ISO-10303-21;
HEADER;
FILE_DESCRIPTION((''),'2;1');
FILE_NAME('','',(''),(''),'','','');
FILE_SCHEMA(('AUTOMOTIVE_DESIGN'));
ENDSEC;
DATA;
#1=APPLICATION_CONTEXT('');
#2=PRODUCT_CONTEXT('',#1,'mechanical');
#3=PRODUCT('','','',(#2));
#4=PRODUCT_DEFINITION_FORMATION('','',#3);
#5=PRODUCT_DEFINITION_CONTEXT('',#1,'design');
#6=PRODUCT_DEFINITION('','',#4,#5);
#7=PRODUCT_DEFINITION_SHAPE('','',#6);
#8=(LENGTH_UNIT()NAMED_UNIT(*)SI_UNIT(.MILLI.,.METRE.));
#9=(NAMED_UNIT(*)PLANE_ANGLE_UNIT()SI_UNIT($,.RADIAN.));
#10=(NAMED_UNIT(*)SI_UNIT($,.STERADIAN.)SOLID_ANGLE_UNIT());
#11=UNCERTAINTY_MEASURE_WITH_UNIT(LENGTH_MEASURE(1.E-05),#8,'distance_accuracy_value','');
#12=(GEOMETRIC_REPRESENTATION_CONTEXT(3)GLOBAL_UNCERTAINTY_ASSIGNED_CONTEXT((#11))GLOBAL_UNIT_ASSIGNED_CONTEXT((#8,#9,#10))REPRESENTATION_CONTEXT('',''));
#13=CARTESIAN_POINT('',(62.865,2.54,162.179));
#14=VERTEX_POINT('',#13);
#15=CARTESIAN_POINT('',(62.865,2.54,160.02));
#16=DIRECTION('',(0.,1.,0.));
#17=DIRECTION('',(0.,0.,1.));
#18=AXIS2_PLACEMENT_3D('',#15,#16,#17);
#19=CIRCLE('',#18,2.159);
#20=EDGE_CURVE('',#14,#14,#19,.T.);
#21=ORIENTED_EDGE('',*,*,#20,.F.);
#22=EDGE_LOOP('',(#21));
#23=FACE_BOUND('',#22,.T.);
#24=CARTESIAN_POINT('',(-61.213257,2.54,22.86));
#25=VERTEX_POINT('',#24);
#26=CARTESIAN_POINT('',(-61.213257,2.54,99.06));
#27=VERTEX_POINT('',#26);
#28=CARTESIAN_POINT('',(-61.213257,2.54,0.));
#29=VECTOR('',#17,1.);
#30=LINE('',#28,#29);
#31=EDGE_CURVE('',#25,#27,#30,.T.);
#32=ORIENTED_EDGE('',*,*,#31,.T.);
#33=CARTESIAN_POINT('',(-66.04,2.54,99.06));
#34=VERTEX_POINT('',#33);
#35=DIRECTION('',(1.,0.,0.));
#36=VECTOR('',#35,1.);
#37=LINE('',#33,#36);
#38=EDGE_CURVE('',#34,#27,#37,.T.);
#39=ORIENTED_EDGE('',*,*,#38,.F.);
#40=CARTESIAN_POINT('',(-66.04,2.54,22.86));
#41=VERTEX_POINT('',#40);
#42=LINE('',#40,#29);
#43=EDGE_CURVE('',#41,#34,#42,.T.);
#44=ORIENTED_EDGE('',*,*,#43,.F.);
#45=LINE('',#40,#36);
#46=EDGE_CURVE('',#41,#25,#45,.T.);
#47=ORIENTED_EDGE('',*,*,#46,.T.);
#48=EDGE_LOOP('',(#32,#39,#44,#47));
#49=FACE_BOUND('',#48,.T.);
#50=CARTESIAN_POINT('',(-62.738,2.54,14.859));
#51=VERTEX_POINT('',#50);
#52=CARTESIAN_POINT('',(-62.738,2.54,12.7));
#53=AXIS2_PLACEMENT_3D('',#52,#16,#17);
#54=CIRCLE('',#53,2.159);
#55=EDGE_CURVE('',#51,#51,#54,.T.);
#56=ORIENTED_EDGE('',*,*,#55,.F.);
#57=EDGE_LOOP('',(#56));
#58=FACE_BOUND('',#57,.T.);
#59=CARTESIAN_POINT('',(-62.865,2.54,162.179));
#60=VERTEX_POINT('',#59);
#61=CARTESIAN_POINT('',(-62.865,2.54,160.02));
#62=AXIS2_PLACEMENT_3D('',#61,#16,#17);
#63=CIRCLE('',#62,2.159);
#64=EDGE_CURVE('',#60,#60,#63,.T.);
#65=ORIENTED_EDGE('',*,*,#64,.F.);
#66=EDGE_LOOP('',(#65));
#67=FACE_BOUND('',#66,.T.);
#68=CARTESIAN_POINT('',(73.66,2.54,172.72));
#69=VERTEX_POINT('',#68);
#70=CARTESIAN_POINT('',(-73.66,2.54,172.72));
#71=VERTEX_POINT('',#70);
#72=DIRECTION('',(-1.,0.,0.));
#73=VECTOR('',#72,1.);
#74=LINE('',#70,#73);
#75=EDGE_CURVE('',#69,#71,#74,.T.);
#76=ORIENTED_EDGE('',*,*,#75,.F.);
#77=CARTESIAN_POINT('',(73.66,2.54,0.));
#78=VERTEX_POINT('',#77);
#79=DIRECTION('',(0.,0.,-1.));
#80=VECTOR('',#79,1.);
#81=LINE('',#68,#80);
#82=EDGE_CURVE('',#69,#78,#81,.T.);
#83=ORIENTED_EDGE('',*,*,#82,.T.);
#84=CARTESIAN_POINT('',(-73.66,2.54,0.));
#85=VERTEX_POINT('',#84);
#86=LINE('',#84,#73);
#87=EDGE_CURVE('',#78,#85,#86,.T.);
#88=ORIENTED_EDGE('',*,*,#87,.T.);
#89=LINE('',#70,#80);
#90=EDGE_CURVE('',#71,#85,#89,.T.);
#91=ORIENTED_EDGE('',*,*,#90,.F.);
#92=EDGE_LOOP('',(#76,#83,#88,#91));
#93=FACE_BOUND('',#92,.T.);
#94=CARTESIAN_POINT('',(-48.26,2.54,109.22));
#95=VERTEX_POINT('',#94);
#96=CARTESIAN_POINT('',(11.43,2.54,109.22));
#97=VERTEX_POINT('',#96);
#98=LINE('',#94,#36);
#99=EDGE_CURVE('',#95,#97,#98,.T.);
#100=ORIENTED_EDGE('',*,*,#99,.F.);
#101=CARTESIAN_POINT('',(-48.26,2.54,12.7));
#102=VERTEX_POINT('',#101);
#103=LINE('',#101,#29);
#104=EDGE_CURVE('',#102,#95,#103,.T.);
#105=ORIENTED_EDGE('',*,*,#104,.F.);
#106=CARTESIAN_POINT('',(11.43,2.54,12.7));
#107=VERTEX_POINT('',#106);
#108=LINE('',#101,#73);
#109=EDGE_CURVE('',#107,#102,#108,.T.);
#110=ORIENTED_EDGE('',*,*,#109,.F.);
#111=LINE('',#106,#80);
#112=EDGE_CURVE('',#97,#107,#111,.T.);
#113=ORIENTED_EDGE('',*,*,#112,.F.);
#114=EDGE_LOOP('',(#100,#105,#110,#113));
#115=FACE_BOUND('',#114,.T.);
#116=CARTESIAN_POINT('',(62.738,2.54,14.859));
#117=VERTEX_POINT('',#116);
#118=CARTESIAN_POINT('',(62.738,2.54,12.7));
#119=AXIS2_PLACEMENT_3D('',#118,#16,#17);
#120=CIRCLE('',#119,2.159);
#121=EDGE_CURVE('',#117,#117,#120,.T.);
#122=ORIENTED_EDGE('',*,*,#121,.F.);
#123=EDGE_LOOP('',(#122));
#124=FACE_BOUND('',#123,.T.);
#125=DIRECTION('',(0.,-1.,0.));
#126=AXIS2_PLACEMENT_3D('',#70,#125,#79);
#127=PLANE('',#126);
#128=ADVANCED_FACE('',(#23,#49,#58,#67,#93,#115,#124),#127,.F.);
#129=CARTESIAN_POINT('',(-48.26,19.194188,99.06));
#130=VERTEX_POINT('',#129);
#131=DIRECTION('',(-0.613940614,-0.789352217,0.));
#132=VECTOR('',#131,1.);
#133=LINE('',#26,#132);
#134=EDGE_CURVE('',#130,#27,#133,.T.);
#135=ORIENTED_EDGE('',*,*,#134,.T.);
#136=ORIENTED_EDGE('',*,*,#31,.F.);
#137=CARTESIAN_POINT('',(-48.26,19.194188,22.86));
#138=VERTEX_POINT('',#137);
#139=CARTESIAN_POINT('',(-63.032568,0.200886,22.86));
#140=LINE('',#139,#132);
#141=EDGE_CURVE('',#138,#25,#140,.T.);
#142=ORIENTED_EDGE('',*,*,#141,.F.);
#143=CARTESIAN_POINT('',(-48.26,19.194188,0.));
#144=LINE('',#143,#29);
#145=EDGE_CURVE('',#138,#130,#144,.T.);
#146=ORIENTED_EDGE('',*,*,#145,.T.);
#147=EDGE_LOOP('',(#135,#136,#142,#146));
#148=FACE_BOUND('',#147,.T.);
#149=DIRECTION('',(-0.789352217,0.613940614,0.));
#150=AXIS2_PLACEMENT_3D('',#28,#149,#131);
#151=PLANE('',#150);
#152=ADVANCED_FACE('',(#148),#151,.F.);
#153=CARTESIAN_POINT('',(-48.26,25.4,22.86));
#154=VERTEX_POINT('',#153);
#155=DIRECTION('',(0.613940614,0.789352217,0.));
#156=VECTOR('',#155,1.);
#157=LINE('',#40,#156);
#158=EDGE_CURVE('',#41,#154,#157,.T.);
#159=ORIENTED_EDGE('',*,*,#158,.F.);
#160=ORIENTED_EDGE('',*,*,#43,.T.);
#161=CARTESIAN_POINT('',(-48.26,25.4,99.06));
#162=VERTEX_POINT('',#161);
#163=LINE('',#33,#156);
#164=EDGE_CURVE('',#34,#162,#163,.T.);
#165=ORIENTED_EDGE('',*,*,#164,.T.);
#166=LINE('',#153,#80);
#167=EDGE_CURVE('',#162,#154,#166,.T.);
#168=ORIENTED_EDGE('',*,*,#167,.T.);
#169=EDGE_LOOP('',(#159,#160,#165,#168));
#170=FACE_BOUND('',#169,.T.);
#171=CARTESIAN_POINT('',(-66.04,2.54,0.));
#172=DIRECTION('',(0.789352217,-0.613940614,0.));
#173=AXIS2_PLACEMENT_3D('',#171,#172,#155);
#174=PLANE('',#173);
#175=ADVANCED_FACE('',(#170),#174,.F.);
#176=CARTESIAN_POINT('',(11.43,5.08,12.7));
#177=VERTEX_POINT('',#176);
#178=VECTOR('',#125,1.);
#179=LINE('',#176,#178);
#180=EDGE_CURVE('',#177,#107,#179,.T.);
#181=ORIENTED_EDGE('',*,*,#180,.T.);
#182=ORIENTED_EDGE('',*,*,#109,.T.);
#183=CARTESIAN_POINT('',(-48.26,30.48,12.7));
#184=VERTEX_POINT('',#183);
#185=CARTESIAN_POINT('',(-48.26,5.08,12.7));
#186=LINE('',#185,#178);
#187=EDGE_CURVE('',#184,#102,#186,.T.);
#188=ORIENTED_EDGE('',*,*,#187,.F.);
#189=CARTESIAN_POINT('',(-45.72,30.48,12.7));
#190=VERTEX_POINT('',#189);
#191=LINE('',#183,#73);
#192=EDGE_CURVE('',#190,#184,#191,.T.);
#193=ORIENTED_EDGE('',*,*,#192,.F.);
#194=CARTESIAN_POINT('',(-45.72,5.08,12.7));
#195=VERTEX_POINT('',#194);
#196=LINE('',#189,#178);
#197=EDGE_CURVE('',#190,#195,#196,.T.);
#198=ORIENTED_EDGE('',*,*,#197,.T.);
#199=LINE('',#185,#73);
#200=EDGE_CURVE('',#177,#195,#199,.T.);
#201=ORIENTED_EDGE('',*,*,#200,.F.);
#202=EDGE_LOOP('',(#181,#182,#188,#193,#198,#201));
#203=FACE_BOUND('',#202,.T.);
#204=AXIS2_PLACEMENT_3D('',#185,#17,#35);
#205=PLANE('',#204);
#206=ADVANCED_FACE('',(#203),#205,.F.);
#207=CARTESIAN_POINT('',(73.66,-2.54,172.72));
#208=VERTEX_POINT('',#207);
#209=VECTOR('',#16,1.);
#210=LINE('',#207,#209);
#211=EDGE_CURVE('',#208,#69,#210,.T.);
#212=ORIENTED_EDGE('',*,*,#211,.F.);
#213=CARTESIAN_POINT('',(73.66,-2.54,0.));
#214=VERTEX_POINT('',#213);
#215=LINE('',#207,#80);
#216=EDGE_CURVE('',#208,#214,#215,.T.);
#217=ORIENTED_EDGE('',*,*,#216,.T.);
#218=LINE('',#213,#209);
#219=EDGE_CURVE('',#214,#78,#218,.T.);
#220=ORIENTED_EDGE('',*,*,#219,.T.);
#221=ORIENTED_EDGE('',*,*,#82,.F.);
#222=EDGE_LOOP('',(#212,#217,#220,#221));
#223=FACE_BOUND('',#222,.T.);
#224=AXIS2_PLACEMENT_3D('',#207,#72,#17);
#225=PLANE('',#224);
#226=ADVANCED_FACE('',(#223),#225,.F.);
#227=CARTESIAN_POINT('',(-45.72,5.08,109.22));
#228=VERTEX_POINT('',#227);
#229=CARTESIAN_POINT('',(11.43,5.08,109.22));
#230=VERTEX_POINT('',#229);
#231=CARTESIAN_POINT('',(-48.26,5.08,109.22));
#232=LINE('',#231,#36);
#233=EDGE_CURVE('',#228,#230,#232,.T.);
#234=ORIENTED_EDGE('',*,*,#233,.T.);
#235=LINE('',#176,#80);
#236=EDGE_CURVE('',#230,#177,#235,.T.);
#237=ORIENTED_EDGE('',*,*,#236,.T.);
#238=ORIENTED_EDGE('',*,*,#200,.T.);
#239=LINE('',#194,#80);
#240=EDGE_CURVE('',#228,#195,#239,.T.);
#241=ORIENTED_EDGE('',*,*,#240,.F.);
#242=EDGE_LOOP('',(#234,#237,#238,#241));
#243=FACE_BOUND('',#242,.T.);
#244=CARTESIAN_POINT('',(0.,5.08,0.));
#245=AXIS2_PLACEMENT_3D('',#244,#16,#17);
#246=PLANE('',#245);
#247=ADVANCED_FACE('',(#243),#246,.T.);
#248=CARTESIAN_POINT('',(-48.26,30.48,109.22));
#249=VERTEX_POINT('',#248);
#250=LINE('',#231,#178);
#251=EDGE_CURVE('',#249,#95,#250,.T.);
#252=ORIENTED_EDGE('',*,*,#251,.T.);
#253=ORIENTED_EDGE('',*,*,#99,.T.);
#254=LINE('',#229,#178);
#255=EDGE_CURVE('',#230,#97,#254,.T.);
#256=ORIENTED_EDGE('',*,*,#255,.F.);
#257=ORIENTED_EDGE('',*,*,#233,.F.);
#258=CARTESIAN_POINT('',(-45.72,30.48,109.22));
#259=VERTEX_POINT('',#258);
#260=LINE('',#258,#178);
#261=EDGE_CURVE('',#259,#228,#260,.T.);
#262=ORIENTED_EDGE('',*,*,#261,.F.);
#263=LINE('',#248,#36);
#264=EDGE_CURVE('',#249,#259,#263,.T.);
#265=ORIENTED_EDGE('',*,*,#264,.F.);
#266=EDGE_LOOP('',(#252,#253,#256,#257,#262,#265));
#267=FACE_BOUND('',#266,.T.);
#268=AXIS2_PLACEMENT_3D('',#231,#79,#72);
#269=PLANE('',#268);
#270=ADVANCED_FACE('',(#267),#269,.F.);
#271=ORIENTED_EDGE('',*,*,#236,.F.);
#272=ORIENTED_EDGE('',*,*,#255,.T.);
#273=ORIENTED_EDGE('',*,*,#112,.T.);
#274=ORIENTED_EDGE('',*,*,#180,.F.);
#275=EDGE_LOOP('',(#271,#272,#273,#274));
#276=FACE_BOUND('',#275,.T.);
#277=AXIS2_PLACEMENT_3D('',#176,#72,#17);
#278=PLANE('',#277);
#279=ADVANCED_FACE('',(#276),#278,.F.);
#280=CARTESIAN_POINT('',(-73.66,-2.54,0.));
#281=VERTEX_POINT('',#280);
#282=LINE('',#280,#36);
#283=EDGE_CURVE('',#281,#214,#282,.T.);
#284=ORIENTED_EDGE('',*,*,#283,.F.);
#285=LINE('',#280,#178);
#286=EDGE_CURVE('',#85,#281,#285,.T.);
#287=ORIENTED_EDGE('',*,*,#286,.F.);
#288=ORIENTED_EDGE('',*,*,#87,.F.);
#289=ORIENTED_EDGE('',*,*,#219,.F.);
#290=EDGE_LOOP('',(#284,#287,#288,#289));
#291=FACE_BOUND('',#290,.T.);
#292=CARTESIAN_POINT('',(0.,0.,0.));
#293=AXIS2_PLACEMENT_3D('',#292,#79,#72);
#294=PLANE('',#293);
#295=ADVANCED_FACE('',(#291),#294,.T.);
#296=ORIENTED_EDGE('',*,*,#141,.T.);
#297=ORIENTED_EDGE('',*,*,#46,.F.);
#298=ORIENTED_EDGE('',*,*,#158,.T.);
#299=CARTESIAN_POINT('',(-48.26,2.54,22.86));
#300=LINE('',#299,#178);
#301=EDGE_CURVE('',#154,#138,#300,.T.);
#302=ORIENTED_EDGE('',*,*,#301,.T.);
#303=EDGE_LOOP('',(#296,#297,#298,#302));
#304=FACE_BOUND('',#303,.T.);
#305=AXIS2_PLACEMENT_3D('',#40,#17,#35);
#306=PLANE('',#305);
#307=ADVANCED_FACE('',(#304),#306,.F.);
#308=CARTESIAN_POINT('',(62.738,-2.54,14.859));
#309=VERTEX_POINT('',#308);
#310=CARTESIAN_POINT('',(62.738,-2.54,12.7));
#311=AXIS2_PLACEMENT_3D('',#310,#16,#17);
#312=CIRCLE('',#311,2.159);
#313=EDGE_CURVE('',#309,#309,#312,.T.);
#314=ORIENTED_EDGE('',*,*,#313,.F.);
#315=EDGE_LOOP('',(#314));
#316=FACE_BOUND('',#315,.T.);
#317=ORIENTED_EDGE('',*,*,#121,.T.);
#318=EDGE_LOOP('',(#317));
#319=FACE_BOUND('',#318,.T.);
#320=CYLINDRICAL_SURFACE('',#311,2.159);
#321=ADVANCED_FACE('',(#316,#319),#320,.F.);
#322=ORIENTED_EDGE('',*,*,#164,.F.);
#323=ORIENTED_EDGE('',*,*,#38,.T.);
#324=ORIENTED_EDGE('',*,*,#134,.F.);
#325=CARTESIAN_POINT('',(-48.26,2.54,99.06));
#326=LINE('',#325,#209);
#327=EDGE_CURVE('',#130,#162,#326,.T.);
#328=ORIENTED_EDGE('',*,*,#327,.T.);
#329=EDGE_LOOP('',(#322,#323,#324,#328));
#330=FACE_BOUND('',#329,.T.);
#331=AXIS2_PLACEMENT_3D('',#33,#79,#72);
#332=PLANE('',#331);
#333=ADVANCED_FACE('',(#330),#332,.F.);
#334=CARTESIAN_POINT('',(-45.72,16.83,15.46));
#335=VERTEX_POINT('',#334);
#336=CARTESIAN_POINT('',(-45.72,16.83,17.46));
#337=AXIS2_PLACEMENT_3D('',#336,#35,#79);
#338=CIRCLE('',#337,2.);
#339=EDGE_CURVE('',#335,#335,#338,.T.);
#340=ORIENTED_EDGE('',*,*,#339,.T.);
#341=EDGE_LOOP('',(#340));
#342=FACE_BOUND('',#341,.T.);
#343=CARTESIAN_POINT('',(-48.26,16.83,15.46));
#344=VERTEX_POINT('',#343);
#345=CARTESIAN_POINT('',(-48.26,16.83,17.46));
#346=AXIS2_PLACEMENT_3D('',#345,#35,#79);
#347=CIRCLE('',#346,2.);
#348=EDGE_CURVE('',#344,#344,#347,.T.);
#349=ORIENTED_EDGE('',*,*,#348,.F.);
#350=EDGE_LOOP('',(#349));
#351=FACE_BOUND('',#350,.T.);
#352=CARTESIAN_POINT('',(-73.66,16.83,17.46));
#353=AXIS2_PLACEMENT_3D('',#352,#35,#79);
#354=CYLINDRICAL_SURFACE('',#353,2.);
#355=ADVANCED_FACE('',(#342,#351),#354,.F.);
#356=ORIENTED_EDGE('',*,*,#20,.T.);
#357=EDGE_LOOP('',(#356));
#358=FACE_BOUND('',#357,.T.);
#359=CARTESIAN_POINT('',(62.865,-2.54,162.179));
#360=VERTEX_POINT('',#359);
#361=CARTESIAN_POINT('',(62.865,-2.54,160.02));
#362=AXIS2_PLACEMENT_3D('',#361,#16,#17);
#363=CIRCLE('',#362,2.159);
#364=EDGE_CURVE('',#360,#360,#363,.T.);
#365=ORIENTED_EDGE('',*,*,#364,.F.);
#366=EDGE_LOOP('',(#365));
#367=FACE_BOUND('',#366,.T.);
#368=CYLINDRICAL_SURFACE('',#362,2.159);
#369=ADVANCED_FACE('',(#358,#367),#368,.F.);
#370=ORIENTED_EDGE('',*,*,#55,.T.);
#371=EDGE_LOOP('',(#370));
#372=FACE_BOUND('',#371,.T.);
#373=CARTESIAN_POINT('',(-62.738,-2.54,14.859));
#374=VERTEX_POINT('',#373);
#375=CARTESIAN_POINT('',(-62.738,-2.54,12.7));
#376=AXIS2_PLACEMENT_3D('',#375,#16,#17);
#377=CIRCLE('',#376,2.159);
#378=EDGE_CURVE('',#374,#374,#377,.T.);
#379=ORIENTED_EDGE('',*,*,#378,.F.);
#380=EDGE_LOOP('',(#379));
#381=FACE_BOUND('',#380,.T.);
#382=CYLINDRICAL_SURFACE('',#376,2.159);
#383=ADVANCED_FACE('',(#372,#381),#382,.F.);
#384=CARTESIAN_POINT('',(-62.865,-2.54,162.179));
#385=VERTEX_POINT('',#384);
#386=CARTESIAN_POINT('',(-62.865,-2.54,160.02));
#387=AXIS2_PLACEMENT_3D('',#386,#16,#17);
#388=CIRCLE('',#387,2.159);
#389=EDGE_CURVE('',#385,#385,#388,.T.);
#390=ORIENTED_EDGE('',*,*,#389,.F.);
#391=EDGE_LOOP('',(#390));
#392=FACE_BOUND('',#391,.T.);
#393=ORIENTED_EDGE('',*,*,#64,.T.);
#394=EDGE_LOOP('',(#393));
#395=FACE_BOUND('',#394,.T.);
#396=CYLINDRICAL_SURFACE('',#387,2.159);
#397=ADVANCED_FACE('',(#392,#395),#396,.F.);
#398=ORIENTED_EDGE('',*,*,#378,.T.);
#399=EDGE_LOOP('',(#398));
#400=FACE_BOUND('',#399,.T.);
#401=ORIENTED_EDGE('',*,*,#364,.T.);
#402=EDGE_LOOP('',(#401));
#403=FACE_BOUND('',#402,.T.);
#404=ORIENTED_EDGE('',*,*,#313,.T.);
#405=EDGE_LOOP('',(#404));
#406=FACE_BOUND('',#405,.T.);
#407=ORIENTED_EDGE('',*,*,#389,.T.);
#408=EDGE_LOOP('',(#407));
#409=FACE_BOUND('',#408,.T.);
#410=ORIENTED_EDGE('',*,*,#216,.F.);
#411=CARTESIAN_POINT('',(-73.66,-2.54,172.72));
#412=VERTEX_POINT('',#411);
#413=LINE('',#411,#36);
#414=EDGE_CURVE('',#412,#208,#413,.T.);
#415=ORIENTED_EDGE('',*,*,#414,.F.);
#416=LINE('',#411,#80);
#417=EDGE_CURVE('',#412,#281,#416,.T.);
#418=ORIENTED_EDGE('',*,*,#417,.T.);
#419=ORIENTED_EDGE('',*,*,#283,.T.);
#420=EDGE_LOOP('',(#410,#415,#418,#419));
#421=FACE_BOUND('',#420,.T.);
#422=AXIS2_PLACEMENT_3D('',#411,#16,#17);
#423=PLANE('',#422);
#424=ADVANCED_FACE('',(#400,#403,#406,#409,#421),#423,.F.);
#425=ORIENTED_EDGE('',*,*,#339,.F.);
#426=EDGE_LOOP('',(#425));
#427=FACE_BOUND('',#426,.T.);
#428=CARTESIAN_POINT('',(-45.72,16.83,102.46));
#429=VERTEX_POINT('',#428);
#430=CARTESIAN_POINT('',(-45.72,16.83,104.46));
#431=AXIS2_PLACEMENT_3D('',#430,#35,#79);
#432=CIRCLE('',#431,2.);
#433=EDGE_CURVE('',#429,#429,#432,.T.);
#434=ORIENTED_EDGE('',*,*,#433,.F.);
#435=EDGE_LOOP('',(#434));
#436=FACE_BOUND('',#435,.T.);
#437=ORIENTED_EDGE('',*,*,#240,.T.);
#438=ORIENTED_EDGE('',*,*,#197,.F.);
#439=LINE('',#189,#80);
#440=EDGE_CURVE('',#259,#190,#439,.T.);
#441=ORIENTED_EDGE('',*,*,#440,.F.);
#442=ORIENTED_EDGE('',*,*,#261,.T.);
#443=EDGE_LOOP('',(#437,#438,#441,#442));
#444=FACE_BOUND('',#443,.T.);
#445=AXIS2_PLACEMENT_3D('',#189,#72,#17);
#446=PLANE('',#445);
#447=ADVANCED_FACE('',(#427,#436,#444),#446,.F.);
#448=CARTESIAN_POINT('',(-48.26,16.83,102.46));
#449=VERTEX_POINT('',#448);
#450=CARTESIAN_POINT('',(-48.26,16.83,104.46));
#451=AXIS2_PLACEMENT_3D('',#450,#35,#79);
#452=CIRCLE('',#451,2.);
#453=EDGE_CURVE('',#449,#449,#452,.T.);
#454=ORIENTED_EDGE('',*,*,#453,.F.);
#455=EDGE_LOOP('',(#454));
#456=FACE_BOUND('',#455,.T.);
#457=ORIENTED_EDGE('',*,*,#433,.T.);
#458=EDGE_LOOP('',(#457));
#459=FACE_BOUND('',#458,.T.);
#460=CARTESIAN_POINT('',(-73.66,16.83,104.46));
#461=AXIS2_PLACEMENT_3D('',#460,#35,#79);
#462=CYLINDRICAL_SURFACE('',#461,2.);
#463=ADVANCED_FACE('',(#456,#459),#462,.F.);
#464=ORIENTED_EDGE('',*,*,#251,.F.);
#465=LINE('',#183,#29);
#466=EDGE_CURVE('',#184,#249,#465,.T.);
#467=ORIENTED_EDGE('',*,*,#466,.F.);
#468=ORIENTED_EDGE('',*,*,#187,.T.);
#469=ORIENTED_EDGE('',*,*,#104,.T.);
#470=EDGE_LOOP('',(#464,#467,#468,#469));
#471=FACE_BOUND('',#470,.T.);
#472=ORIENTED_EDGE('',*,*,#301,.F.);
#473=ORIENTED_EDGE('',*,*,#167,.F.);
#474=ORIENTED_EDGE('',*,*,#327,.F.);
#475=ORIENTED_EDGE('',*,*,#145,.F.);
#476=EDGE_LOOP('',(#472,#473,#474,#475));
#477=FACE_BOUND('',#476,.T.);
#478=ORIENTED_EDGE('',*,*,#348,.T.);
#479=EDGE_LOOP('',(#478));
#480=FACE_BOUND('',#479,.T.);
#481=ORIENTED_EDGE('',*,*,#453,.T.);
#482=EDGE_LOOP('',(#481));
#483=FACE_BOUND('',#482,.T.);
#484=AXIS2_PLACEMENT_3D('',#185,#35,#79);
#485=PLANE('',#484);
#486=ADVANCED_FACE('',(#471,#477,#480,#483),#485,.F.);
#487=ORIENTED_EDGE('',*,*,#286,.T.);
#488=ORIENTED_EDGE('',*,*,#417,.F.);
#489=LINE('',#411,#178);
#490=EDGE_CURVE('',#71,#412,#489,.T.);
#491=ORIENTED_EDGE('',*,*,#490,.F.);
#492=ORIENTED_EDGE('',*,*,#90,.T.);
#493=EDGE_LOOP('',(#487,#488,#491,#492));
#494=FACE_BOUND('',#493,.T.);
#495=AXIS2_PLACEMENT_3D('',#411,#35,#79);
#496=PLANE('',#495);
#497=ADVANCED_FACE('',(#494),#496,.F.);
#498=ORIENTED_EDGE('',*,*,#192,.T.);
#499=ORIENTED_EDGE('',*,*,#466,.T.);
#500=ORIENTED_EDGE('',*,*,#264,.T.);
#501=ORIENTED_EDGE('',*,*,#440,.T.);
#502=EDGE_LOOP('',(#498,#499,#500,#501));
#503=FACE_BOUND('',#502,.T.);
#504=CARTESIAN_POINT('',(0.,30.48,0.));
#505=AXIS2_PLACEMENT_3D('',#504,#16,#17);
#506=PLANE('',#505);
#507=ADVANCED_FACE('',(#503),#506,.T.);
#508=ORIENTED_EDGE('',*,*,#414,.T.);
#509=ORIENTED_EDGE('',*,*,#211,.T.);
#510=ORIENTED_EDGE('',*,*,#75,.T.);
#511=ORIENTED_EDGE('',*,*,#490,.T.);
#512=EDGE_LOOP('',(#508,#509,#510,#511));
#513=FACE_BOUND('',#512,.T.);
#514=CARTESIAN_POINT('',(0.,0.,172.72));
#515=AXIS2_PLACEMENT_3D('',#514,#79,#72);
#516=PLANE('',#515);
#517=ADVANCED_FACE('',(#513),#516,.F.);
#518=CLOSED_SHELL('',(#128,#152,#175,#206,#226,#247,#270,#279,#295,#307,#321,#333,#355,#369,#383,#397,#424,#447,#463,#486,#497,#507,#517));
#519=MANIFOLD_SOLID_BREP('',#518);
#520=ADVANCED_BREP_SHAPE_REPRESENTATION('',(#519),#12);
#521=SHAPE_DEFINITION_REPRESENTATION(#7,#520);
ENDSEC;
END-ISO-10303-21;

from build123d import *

# Parameters (mm, degrees)
SKETCH1_W           = 147.32
SKETCH1_H           = 5.08
BOSS_EXTRUDE1_DEPTH = 172.72
SKETCH2_R           = 2.159
CUT_EXTRUDE1_DEPTH  = 6.08
SKETCH3_W           = 59.69
SKETCH3_H           = 96.52
BOSS_EXTRUDE2_DEPTH = 2.54
SKETCH4_W           = 2.54
SKETCH4_H           = 96.52
BOSS_EXTRUDE3_DEPTH = 25.4
SKETCH5_W           = 76.2
SKETCH5_H           = 22.86
BOSS_EXTRUDE4_DEPTH = 17.78
CUT_EXTRUDE2_DEPTH  = 100.06
SKETCH7_R           = 2
CUT_EXTRUDE3_DEPTH  = 28.94


with BuildPart() as part:
    # Sketch1 → Boss-Extrude1 (new body)
    with BuildSketch(Plane.XY):
        Rectangle(SKETCH1_W, SKETCH1_H)
    extrude(amount=BOSS_EXTRUDE1_DEPTH)

    # Sketch2 → Cut-Extrude1 (cut, through all)
    with BuildSketch(Plane(origin=(0, 2.54, 0), x_dir=(1, 0, 0), z_dir=(0, 1, 0))):
        with Locations((62.738, -12.7)):
            Circle(SKETCH2_R)
        with Locations((-62.865, -160.02)):
            Circle(SKETCH2_R)
        with Locations((62.865, -160.02)):
            Circle(SKETCH2_R)
        with Locations((-62.738, -12.7)):
            Circle(SKETCH2_R)
    extrude(amount=-CUT_EXTRUDE1_DEPTH, mode=Mode.SUBTRACT)

    # Sketch3 → Boss-Extrude2 (add)
    with BuildSketch(Plane(origin=(0, 2.54, 0), x_dir=(1, 0, 0), z_dir=(0, 1, 0))):
        with Locations((-18.415, -60.96)):
            Rectangle(SKETCH3_W, SKETCH3_H)
    extrude(amount=BOSS_EXTRUDE2_DEPTH)

    # Sketch4 → Boss-Extrude3 (add)
    with BuildSketch(Plane(origin=(0, 5.08, 0), x_dir=(1, 0, 0), z_dir=(0, 1, 0))):
        with Locations((-46.99, -60.96)):
            Rectangle(SKETCH4_W, SKETCH4_H)
    extrude(amount=BOSS_EXTRUDE3_DEPTH)

    # Sketch5 → Boss-Extrude4 (add)
    with BuildSketch(Plane.ZY.offset(48.26)):
        with Locations((60.96, 13.97)):
            Rectangle(SKETCH5_W, SKETCH5_H)
    extrude(amount=BOSS_EXTRUDE4_DEPTH)

    # Sketch6 → Cut-Extrude2 (cut, through all)
    with BuildSketch(Plane.XY.offset(99.06)):
        Polygon((-66.04, 2.54), (-48.26, 25.4), (-66.04, 25.4), align=None)
        Polygon((-61.213257367, 2.54), (-48.26, 19.194188043), (-48.26, 2.54), align=None)
    extrude(amount=-CUT_EXTRUDE2_DEPTH, mode=Mode.SUBTRACT)

    # Sketch7 → Cut-Extrude3 (cut, through all)
    with BuildSketch(Plane(origin=(-45.72, 0, 0), x_dir=(0, 0, -1), z_dir=(1, 0, 0))):
        with Locations((-104.46, 16.83)):
            Circle(SKETCH7_R)
        with Locations((-17.46, 16.83)):
            Circle(SKETCH7_R)
    extrude(amount=-CUT_EXTRUDE3_DEPTH, mode=Mode.SUBTRACT)


solid = part.part
